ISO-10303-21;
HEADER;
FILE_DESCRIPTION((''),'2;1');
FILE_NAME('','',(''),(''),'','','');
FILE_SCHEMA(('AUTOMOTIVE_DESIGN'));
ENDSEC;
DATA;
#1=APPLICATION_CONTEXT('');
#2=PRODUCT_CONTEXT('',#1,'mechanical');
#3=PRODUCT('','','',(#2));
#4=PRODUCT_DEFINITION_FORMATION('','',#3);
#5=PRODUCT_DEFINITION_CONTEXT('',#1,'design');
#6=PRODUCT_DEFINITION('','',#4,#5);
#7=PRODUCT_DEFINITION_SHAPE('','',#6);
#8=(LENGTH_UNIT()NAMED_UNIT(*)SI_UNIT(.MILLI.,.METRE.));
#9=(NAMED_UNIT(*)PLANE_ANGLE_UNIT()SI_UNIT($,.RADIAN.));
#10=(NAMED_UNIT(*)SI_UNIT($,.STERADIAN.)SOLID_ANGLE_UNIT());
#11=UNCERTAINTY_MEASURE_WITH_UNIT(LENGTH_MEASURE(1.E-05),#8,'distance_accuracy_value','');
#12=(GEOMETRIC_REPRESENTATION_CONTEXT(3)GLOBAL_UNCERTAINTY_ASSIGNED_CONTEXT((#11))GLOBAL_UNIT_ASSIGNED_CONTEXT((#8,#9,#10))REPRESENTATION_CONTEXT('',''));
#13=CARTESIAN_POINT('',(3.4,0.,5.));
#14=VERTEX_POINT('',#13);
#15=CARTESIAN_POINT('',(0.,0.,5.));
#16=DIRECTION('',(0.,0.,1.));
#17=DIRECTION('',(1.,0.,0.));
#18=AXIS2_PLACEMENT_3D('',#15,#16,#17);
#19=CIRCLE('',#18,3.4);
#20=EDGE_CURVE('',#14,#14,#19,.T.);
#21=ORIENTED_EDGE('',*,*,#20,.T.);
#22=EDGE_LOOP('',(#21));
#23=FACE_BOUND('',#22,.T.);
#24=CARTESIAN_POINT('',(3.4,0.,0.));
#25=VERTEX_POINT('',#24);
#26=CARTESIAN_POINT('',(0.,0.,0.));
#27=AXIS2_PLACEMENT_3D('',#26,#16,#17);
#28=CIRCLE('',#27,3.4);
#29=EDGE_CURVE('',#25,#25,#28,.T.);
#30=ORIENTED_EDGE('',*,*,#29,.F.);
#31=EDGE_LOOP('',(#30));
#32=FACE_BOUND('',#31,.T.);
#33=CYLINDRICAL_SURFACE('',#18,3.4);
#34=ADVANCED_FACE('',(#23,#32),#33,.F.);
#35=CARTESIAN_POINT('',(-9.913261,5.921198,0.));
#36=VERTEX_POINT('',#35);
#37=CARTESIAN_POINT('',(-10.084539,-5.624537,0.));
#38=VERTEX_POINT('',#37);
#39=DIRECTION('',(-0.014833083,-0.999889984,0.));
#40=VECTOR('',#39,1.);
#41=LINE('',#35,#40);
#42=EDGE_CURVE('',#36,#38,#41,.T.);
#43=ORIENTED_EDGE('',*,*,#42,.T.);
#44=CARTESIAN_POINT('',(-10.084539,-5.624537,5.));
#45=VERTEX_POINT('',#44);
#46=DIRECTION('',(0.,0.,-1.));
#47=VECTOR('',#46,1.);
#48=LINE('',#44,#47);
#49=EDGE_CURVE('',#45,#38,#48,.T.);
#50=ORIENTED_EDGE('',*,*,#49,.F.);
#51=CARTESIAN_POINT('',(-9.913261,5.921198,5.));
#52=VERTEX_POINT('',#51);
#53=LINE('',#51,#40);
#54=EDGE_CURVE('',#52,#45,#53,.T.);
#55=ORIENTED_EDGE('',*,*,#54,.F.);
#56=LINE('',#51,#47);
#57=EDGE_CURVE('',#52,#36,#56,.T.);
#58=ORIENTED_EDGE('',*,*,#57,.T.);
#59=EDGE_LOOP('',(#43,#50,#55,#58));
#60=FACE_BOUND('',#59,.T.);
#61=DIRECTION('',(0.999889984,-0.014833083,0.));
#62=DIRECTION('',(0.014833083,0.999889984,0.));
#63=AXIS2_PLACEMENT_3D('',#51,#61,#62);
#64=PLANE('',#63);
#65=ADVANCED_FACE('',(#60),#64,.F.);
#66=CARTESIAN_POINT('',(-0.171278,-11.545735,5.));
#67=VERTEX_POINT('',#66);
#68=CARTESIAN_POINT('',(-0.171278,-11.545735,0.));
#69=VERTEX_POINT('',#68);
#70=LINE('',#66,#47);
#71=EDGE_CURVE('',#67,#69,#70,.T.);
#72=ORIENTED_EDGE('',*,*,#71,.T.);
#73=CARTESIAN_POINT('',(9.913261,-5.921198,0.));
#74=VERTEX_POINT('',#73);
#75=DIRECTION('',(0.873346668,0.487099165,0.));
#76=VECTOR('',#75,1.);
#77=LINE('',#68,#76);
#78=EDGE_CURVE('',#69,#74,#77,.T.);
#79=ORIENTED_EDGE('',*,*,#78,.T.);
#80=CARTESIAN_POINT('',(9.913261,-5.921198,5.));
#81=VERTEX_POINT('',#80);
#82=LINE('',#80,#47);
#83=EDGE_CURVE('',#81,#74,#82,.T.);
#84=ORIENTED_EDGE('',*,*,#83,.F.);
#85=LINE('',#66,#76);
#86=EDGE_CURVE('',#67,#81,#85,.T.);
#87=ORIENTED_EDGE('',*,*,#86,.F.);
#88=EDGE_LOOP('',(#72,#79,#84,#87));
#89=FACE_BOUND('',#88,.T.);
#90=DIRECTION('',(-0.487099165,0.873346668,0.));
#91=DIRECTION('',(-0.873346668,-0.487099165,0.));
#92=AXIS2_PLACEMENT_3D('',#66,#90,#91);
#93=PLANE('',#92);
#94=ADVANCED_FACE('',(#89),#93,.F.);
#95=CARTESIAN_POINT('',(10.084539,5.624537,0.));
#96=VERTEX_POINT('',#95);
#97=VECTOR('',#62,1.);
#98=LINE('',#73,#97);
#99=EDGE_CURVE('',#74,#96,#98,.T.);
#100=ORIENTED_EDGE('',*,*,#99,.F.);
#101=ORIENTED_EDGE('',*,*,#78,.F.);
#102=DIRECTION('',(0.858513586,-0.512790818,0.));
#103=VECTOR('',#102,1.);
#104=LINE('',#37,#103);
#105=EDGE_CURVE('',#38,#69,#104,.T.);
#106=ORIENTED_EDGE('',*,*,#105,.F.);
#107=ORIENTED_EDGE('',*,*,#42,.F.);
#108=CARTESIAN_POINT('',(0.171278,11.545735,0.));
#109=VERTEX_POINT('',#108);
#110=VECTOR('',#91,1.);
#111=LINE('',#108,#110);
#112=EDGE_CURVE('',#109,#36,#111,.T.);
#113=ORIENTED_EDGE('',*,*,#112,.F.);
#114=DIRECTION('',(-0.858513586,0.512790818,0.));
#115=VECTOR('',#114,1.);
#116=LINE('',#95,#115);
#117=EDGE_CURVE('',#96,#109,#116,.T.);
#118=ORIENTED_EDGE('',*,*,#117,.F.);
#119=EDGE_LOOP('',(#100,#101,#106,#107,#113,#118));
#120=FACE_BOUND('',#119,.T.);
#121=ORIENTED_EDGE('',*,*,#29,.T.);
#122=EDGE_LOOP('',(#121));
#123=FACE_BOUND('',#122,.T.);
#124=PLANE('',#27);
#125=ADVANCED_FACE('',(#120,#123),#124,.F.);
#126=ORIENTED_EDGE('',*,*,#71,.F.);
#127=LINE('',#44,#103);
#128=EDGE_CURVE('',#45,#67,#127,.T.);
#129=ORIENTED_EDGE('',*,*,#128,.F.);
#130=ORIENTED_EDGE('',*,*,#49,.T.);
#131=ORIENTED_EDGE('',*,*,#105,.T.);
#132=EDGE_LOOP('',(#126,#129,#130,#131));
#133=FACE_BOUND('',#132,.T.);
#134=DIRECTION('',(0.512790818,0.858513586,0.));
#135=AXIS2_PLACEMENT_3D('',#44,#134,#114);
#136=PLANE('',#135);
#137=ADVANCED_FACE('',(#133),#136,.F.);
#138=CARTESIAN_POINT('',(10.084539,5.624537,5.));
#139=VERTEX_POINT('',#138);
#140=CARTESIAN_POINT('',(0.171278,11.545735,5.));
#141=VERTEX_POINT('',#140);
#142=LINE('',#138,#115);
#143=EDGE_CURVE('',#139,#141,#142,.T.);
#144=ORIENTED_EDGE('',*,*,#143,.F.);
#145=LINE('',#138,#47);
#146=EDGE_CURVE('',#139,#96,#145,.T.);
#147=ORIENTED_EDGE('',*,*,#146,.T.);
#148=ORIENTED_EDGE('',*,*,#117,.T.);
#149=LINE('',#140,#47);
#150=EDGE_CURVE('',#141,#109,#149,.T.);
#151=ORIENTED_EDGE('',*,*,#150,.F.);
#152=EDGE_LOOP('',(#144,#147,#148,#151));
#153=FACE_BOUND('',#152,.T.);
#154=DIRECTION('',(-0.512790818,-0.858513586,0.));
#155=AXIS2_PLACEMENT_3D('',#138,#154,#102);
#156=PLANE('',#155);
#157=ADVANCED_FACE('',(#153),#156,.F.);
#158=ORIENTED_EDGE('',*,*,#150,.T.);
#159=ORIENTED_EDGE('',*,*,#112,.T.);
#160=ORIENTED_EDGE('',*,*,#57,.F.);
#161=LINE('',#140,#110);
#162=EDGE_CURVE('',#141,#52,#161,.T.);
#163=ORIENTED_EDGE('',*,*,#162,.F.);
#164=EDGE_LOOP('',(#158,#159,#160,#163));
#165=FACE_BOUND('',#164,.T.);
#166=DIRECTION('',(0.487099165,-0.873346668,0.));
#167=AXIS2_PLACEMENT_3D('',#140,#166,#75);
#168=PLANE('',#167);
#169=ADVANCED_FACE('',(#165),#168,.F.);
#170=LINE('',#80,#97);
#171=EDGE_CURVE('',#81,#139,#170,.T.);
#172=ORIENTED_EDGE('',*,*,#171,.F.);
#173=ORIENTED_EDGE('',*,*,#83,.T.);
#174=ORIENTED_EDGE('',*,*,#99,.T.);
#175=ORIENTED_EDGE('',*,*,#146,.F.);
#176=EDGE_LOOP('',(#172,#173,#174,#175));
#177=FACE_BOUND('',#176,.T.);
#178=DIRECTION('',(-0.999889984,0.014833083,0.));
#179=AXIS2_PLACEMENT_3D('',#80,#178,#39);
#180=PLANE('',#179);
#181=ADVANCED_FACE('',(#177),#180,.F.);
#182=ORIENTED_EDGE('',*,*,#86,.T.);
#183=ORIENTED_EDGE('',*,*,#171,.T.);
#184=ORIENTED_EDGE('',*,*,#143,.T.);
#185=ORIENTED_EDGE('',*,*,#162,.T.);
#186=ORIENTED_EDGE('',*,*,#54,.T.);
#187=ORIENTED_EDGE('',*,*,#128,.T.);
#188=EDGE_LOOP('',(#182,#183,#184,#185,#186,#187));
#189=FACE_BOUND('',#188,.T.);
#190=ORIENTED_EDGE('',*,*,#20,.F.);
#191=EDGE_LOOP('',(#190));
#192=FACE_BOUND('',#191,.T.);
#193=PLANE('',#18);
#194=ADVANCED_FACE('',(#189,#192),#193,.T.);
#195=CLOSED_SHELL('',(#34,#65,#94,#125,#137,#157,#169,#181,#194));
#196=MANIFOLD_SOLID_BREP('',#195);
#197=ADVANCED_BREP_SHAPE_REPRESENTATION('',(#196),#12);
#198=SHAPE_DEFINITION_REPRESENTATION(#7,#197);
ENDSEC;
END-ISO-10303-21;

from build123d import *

# Parameters (mm, degrees)
BOSS_EXTRUDE1_DEPTH   = 5
M8_TAPPED_HOLE1_D     = 6.8
M8_TAPPED_HOLE1_DEPTH = 19.75
M8_TAPPED_HOLE1_TIP   = 2.042926105


with BuildPart() as part:
    # Sketch1 → Boss-Extrude1 (new body)
    with BuildSketch(Plane.XY):
        Polygon((9.913260994, -5.921198341), (10.084538681, 5.624536685), (0.171277687, 11.545735026), (-9.913260994, 5.921198341), (-10.084538681, -5.624536685), (-0.171277687, -11.545735026), align=None)
    extrude(amount=BOSS_EXTRUDE1_DEPTH)

    # M8 Tapped Hole1
    with Locations(Plane.XY.offset(5)):
        with Locations((0, 0)):
            Hole(M8_TAPPED_HOLE1_D / 2, depth=M8_TAPPED_HOLE1_DEPTH)
            with Locations((0, 0, -(M8_TAPPED_HOLE1_DEPTH + M8_TAPPED_HOLE1_TIP / 2))):  # 118° drill point
                Cone(0, M8_TAPPED_HOLE1_D / 2, M8_TAPPED_HOLE1_TIP, mode=Mode.SUBTRACT)


solid = part.part
